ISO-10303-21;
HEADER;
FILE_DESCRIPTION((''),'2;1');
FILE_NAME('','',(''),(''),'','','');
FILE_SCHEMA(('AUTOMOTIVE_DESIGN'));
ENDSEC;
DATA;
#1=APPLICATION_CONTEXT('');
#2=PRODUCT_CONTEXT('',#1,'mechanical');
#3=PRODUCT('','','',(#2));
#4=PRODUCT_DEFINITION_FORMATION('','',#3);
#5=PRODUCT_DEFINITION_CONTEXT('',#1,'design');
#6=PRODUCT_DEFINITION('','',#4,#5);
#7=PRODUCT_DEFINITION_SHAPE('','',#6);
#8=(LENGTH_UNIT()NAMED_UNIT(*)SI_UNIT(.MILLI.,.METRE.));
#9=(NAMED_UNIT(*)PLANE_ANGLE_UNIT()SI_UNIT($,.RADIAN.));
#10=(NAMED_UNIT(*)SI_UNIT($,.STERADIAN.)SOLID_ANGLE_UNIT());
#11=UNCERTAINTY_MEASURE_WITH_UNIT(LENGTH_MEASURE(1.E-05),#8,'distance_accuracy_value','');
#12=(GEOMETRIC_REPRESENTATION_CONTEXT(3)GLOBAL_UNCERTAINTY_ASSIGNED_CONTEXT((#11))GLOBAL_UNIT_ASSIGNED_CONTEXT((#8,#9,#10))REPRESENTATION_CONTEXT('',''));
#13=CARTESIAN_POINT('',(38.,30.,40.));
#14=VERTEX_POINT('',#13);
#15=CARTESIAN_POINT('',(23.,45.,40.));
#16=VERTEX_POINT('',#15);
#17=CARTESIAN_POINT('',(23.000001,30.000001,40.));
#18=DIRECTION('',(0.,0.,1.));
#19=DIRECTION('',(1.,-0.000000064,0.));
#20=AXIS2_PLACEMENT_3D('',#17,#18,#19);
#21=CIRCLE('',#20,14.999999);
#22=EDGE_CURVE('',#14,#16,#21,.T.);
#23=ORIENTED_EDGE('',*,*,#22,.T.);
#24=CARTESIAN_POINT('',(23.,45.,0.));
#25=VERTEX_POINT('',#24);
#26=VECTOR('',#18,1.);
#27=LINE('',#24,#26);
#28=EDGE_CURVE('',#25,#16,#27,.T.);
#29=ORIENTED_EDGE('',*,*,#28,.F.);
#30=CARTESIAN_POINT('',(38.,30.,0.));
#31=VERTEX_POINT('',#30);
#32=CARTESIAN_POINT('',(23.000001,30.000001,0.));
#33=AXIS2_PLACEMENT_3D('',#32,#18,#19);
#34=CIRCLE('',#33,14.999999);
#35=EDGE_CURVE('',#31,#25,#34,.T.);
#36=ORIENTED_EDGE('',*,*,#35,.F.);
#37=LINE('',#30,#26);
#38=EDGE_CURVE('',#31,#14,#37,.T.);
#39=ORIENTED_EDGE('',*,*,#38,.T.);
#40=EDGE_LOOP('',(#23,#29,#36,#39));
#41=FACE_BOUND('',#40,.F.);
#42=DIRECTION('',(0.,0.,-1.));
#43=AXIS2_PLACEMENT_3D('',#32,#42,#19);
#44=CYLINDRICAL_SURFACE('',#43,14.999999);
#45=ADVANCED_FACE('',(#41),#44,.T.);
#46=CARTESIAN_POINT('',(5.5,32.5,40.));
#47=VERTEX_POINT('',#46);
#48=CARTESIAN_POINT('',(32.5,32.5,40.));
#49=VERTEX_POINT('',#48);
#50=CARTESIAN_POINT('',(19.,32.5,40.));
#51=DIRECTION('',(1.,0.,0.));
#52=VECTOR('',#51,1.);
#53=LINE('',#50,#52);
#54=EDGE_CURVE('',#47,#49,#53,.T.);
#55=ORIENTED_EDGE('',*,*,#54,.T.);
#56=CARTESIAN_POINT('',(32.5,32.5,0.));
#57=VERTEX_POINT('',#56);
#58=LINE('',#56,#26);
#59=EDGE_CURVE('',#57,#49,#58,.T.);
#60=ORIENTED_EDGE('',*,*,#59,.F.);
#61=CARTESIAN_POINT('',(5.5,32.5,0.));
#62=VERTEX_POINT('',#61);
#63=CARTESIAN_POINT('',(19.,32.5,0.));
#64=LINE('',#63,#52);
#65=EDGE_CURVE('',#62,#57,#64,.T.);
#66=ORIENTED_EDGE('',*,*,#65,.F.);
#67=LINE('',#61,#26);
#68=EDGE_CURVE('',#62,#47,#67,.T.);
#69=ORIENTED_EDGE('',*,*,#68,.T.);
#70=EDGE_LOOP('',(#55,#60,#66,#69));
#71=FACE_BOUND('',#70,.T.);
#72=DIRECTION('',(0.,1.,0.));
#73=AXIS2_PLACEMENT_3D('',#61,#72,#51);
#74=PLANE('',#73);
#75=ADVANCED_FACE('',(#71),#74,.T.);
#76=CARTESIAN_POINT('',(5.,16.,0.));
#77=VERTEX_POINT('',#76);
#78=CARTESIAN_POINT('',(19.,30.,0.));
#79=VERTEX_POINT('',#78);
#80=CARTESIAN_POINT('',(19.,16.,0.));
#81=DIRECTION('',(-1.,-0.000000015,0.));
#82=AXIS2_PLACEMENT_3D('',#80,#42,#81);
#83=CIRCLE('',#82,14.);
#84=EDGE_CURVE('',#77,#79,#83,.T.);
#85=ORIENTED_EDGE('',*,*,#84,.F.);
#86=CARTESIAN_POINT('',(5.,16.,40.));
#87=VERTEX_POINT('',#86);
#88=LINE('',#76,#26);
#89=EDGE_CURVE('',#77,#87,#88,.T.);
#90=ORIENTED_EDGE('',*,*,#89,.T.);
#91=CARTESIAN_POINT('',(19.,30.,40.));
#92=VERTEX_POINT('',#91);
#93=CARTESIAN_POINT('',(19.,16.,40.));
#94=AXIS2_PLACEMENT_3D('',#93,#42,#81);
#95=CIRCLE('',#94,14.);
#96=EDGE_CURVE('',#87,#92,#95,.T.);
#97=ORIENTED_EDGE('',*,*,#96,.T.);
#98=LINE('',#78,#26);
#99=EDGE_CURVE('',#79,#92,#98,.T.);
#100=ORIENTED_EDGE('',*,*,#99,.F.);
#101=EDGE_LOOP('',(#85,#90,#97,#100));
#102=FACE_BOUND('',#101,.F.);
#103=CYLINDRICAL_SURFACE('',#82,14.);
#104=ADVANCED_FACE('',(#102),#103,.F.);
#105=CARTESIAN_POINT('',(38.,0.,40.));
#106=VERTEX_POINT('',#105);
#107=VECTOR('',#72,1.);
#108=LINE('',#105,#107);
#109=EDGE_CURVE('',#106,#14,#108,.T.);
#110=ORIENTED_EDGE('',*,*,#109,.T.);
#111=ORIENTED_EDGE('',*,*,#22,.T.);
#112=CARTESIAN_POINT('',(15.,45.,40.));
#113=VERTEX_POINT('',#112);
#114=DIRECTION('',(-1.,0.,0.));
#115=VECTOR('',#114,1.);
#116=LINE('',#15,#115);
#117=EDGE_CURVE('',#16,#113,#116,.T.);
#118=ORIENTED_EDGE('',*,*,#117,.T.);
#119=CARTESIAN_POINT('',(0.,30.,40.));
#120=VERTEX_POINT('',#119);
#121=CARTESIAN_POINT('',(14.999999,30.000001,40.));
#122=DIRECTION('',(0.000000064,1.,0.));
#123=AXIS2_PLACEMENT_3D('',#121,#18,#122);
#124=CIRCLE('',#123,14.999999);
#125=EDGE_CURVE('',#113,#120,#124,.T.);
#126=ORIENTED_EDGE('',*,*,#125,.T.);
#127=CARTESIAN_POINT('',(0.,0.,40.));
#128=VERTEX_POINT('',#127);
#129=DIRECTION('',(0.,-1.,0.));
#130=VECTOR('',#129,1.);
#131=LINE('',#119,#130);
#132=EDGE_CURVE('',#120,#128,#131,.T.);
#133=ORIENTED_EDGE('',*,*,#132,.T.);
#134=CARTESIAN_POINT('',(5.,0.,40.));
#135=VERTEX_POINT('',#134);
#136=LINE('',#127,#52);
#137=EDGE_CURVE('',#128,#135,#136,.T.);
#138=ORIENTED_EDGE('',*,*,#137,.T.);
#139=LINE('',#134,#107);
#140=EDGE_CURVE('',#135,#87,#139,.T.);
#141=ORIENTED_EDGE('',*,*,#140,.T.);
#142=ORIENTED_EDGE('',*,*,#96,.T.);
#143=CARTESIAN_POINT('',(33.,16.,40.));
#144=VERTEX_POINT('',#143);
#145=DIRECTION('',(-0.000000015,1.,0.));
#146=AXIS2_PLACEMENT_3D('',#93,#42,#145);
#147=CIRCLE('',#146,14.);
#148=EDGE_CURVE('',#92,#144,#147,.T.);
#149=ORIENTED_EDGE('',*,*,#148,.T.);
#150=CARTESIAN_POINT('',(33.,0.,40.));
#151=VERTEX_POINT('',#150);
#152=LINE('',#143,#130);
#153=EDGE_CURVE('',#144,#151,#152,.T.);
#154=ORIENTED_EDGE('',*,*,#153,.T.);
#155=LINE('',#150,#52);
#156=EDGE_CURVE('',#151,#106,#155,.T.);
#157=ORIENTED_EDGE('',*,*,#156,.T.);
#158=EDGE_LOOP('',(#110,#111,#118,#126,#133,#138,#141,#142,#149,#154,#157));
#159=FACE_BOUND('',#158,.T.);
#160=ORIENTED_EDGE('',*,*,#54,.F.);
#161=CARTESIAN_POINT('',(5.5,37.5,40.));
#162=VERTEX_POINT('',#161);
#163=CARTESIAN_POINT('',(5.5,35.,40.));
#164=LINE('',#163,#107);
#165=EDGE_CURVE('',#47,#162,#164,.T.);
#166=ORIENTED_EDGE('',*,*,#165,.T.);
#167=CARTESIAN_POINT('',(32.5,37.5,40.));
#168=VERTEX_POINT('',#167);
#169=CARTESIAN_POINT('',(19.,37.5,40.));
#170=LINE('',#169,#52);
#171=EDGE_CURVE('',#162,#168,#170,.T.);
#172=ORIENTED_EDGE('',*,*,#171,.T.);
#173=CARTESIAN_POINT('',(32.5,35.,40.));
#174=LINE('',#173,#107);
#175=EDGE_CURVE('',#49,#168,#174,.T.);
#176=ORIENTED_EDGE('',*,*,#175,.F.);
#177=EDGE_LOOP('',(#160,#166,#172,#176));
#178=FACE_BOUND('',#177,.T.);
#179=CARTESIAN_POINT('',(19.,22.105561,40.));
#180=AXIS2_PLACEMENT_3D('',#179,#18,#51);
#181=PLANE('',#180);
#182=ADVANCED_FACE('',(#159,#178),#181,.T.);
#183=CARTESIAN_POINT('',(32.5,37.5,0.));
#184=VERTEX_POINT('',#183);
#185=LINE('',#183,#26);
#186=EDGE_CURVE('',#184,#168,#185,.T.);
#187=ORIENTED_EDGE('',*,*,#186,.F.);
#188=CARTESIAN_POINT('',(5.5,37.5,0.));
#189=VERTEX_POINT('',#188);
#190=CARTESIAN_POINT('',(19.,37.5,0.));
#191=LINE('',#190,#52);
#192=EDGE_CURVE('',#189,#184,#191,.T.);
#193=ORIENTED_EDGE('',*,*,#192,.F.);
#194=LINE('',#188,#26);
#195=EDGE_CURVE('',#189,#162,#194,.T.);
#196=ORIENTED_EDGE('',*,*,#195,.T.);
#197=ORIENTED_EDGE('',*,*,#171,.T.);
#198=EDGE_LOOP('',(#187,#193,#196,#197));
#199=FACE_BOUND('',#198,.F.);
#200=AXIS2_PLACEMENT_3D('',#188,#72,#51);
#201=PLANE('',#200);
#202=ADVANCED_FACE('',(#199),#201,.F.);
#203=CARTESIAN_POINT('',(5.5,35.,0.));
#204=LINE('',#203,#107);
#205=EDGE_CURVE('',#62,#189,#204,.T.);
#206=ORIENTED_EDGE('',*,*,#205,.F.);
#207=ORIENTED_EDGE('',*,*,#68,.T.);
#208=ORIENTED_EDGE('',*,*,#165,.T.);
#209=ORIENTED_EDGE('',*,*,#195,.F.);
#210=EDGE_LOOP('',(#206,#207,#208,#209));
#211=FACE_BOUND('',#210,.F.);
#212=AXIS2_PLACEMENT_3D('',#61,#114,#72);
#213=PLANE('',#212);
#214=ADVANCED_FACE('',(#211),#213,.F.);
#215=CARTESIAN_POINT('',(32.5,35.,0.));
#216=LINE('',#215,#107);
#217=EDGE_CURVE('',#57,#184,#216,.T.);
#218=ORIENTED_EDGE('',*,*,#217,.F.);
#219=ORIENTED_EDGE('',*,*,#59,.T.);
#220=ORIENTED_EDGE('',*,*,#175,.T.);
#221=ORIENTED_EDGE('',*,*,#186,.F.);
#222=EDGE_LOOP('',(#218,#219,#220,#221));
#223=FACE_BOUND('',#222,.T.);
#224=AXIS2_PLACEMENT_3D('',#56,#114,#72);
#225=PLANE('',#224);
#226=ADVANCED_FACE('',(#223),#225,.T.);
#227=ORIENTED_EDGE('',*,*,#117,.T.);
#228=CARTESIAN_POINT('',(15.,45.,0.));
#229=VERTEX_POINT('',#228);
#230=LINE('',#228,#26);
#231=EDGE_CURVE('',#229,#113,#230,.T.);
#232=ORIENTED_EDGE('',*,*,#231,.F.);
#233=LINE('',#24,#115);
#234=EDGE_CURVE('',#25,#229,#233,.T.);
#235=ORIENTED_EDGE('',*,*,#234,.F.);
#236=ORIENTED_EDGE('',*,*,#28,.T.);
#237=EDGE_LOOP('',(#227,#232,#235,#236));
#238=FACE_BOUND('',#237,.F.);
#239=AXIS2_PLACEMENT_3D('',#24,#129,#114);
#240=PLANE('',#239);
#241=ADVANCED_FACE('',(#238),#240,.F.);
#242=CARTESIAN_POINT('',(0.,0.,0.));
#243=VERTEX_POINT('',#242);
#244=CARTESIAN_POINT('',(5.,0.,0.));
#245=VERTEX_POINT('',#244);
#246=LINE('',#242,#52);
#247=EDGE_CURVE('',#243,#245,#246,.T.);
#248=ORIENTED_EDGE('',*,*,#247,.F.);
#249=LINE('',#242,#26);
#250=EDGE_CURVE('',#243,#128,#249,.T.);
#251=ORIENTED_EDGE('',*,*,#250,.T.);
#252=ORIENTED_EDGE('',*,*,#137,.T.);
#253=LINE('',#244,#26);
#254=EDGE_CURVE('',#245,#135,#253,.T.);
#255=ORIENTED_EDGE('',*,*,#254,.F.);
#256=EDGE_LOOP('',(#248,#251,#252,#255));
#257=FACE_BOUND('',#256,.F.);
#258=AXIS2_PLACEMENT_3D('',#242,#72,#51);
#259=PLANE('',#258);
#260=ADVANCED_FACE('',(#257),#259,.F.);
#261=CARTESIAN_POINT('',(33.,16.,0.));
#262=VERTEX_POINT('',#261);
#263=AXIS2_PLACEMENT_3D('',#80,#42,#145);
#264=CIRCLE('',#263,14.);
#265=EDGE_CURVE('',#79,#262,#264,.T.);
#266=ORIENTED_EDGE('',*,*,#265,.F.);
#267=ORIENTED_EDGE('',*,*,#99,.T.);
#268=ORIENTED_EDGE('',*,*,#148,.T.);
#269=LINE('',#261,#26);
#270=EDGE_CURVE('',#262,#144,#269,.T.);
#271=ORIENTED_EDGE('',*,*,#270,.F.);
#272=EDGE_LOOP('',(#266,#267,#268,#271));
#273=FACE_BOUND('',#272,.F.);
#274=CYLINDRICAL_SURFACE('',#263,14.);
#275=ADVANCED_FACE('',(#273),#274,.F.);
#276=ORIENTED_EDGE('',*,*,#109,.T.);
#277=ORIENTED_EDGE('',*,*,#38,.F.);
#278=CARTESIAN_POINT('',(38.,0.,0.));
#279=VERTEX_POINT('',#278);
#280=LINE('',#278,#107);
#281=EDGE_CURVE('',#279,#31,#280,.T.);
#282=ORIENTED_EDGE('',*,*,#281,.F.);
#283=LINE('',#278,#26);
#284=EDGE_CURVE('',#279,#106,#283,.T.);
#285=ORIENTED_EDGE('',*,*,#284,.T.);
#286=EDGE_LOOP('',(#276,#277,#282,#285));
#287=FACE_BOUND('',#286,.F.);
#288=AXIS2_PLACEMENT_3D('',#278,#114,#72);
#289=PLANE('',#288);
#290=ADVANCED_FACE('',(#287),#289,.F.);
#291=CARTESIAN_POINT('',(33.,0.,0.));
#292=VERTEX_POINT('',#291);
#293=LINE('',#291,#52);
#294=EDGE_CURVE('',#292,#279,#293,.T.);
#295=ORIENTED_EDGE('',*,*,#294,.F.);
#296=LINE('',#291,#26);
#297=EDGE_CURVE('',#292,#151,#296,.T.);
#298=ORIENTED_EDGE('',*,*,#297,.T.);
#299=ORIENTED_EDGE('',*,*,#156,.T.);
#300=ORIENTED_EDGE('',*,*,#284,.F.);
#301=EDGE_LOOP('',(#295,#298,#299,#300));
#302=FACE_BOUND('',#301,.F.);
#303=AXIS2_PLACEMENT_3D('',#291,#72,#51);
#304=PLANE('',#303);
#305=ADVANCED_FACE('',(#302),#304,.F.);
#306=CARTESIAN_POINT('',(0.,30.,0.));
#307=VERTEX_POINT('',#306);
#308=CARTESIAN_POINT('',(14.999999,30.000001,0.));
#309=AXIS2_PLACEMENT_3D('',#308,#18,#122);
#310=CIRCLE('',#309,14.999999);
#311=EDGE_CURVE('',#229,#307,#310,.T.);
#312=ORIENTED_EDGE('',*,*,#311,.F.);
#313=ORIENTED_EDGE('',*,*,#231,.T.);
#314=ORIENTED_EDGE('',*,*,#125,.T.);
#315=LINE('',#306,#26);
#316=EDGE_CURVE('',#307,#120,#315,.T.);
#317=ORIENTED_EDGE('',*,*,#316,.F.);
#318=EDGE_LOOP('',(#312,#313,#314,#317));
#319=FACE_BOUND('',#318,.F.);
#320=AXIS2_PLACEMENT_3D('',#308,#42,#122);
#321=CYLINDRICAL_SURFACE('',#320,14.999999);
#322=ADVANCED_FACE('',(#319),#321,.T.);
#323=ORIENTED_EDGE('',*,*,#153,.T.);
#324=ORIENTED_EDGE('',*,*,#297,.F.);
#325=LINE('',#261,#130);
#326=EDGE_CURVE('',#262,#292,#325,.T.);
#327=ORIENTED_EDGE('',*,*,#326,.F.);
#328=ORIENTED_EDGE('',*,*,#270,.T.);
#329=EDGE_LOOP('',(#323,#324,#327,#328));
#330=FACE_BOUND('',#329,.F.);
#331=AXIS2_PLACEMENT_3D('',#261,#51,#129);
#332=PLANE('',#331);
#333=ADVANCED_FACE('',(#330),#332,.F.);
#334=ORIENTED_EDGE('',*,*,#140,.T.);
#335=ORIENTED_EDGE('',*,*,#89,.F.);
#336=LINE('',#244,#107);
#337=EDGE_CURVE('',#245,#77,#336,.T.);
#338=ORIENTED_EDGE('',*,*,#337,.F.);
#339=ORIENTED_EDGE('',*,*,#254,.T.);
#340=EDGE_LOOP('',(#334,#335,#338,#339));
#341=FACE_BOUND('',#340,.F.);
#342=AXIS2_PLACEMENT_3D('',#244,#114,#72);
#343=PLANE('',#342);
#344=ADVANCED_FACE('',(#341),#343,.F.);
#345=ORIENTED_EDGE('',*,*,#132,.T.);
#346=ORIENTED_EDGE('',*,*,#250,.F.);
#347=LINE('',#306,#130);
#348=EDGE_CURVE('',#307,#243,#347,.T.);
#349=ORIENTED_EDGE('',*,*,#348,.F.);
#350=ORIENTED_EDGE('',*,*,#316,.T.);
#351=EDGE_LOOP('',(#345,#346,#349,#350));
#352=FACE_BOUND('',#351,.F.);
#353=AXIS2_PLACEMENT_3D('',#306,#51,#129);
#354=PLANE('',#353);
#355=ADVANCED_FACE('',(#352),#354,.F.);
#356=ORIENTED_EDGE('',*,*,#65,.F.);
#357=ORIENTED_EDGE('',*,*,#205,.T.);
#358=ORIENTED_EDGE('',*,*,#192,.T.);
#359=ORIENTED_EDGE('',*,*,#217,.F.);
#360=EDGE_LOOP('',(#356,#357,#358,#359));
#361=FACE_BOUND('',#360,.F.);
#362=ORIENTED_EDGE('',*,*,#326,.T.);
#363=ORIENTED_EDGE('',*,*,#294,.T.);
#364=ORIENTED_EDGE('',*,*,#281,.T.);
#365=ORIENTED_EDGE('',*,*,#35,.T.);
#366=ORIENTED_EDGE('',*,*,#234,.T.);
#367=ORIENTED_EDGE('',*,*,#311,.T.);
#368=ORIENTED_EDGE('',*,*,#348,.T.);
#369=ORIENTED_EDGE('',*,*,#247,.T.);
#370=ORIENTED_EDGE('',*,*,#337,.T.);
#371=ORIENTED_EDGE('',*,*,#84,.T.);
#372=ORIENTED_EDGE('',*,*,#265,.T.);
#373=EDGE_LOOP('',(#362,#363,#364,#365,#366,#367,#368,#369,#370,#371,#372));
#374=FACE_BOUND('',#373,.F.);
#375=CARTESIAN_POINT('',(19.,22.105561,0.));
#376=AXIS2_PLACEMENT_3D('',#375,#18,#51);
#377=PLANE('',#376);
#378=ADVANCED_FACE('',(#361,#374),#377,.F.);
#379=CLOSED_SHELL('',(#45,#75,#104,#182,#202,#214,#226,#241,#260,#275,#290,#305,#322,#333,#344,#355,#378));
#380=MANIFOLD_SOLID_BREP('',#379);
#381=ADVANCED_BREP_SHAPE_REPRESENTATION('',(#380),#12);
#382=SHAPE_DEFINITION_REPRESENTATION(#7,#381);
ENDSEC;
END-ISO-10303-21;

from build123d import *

# Parameters (mm, degrees)
F0_W     = 27
F0_H     = 5
F1_DEPTH = 40


with BuildPart() as f1:
    # F0 (on Top) → F1 (new body)
    with BuildSketch(Plane.XY):
        with BuildLine():
            Line((0, 30), (0, 0))
            Line((0, 0), (5, 0))
            Line((5, 0), (5, 16))
            ThreePointArc((5, 16), (9.100505, 25.899495), (19, 30))
            ThreePointArc((19, 30), (28.899495, 25.899495), (33, 16))
            Line((33, 16), (33, 0))
            Line((33, 0), (38, 0))
            Line((38, 0), (38, 30))
            ThreePointArc((38, 30), (33.606602, 40.606602), (23, 45))
            Line((23, 45), (15, 45))
            ThreePointArc((15, 45), (4.393398, 40.606602), (0, 30))
        make_face()
        with Locations((19, 35)):
            Rectangle(F0_W, F0_H, mode=Mode.SUBTRACT)
    extrude(amount=F1_DEPTH)


solid = f1.part
